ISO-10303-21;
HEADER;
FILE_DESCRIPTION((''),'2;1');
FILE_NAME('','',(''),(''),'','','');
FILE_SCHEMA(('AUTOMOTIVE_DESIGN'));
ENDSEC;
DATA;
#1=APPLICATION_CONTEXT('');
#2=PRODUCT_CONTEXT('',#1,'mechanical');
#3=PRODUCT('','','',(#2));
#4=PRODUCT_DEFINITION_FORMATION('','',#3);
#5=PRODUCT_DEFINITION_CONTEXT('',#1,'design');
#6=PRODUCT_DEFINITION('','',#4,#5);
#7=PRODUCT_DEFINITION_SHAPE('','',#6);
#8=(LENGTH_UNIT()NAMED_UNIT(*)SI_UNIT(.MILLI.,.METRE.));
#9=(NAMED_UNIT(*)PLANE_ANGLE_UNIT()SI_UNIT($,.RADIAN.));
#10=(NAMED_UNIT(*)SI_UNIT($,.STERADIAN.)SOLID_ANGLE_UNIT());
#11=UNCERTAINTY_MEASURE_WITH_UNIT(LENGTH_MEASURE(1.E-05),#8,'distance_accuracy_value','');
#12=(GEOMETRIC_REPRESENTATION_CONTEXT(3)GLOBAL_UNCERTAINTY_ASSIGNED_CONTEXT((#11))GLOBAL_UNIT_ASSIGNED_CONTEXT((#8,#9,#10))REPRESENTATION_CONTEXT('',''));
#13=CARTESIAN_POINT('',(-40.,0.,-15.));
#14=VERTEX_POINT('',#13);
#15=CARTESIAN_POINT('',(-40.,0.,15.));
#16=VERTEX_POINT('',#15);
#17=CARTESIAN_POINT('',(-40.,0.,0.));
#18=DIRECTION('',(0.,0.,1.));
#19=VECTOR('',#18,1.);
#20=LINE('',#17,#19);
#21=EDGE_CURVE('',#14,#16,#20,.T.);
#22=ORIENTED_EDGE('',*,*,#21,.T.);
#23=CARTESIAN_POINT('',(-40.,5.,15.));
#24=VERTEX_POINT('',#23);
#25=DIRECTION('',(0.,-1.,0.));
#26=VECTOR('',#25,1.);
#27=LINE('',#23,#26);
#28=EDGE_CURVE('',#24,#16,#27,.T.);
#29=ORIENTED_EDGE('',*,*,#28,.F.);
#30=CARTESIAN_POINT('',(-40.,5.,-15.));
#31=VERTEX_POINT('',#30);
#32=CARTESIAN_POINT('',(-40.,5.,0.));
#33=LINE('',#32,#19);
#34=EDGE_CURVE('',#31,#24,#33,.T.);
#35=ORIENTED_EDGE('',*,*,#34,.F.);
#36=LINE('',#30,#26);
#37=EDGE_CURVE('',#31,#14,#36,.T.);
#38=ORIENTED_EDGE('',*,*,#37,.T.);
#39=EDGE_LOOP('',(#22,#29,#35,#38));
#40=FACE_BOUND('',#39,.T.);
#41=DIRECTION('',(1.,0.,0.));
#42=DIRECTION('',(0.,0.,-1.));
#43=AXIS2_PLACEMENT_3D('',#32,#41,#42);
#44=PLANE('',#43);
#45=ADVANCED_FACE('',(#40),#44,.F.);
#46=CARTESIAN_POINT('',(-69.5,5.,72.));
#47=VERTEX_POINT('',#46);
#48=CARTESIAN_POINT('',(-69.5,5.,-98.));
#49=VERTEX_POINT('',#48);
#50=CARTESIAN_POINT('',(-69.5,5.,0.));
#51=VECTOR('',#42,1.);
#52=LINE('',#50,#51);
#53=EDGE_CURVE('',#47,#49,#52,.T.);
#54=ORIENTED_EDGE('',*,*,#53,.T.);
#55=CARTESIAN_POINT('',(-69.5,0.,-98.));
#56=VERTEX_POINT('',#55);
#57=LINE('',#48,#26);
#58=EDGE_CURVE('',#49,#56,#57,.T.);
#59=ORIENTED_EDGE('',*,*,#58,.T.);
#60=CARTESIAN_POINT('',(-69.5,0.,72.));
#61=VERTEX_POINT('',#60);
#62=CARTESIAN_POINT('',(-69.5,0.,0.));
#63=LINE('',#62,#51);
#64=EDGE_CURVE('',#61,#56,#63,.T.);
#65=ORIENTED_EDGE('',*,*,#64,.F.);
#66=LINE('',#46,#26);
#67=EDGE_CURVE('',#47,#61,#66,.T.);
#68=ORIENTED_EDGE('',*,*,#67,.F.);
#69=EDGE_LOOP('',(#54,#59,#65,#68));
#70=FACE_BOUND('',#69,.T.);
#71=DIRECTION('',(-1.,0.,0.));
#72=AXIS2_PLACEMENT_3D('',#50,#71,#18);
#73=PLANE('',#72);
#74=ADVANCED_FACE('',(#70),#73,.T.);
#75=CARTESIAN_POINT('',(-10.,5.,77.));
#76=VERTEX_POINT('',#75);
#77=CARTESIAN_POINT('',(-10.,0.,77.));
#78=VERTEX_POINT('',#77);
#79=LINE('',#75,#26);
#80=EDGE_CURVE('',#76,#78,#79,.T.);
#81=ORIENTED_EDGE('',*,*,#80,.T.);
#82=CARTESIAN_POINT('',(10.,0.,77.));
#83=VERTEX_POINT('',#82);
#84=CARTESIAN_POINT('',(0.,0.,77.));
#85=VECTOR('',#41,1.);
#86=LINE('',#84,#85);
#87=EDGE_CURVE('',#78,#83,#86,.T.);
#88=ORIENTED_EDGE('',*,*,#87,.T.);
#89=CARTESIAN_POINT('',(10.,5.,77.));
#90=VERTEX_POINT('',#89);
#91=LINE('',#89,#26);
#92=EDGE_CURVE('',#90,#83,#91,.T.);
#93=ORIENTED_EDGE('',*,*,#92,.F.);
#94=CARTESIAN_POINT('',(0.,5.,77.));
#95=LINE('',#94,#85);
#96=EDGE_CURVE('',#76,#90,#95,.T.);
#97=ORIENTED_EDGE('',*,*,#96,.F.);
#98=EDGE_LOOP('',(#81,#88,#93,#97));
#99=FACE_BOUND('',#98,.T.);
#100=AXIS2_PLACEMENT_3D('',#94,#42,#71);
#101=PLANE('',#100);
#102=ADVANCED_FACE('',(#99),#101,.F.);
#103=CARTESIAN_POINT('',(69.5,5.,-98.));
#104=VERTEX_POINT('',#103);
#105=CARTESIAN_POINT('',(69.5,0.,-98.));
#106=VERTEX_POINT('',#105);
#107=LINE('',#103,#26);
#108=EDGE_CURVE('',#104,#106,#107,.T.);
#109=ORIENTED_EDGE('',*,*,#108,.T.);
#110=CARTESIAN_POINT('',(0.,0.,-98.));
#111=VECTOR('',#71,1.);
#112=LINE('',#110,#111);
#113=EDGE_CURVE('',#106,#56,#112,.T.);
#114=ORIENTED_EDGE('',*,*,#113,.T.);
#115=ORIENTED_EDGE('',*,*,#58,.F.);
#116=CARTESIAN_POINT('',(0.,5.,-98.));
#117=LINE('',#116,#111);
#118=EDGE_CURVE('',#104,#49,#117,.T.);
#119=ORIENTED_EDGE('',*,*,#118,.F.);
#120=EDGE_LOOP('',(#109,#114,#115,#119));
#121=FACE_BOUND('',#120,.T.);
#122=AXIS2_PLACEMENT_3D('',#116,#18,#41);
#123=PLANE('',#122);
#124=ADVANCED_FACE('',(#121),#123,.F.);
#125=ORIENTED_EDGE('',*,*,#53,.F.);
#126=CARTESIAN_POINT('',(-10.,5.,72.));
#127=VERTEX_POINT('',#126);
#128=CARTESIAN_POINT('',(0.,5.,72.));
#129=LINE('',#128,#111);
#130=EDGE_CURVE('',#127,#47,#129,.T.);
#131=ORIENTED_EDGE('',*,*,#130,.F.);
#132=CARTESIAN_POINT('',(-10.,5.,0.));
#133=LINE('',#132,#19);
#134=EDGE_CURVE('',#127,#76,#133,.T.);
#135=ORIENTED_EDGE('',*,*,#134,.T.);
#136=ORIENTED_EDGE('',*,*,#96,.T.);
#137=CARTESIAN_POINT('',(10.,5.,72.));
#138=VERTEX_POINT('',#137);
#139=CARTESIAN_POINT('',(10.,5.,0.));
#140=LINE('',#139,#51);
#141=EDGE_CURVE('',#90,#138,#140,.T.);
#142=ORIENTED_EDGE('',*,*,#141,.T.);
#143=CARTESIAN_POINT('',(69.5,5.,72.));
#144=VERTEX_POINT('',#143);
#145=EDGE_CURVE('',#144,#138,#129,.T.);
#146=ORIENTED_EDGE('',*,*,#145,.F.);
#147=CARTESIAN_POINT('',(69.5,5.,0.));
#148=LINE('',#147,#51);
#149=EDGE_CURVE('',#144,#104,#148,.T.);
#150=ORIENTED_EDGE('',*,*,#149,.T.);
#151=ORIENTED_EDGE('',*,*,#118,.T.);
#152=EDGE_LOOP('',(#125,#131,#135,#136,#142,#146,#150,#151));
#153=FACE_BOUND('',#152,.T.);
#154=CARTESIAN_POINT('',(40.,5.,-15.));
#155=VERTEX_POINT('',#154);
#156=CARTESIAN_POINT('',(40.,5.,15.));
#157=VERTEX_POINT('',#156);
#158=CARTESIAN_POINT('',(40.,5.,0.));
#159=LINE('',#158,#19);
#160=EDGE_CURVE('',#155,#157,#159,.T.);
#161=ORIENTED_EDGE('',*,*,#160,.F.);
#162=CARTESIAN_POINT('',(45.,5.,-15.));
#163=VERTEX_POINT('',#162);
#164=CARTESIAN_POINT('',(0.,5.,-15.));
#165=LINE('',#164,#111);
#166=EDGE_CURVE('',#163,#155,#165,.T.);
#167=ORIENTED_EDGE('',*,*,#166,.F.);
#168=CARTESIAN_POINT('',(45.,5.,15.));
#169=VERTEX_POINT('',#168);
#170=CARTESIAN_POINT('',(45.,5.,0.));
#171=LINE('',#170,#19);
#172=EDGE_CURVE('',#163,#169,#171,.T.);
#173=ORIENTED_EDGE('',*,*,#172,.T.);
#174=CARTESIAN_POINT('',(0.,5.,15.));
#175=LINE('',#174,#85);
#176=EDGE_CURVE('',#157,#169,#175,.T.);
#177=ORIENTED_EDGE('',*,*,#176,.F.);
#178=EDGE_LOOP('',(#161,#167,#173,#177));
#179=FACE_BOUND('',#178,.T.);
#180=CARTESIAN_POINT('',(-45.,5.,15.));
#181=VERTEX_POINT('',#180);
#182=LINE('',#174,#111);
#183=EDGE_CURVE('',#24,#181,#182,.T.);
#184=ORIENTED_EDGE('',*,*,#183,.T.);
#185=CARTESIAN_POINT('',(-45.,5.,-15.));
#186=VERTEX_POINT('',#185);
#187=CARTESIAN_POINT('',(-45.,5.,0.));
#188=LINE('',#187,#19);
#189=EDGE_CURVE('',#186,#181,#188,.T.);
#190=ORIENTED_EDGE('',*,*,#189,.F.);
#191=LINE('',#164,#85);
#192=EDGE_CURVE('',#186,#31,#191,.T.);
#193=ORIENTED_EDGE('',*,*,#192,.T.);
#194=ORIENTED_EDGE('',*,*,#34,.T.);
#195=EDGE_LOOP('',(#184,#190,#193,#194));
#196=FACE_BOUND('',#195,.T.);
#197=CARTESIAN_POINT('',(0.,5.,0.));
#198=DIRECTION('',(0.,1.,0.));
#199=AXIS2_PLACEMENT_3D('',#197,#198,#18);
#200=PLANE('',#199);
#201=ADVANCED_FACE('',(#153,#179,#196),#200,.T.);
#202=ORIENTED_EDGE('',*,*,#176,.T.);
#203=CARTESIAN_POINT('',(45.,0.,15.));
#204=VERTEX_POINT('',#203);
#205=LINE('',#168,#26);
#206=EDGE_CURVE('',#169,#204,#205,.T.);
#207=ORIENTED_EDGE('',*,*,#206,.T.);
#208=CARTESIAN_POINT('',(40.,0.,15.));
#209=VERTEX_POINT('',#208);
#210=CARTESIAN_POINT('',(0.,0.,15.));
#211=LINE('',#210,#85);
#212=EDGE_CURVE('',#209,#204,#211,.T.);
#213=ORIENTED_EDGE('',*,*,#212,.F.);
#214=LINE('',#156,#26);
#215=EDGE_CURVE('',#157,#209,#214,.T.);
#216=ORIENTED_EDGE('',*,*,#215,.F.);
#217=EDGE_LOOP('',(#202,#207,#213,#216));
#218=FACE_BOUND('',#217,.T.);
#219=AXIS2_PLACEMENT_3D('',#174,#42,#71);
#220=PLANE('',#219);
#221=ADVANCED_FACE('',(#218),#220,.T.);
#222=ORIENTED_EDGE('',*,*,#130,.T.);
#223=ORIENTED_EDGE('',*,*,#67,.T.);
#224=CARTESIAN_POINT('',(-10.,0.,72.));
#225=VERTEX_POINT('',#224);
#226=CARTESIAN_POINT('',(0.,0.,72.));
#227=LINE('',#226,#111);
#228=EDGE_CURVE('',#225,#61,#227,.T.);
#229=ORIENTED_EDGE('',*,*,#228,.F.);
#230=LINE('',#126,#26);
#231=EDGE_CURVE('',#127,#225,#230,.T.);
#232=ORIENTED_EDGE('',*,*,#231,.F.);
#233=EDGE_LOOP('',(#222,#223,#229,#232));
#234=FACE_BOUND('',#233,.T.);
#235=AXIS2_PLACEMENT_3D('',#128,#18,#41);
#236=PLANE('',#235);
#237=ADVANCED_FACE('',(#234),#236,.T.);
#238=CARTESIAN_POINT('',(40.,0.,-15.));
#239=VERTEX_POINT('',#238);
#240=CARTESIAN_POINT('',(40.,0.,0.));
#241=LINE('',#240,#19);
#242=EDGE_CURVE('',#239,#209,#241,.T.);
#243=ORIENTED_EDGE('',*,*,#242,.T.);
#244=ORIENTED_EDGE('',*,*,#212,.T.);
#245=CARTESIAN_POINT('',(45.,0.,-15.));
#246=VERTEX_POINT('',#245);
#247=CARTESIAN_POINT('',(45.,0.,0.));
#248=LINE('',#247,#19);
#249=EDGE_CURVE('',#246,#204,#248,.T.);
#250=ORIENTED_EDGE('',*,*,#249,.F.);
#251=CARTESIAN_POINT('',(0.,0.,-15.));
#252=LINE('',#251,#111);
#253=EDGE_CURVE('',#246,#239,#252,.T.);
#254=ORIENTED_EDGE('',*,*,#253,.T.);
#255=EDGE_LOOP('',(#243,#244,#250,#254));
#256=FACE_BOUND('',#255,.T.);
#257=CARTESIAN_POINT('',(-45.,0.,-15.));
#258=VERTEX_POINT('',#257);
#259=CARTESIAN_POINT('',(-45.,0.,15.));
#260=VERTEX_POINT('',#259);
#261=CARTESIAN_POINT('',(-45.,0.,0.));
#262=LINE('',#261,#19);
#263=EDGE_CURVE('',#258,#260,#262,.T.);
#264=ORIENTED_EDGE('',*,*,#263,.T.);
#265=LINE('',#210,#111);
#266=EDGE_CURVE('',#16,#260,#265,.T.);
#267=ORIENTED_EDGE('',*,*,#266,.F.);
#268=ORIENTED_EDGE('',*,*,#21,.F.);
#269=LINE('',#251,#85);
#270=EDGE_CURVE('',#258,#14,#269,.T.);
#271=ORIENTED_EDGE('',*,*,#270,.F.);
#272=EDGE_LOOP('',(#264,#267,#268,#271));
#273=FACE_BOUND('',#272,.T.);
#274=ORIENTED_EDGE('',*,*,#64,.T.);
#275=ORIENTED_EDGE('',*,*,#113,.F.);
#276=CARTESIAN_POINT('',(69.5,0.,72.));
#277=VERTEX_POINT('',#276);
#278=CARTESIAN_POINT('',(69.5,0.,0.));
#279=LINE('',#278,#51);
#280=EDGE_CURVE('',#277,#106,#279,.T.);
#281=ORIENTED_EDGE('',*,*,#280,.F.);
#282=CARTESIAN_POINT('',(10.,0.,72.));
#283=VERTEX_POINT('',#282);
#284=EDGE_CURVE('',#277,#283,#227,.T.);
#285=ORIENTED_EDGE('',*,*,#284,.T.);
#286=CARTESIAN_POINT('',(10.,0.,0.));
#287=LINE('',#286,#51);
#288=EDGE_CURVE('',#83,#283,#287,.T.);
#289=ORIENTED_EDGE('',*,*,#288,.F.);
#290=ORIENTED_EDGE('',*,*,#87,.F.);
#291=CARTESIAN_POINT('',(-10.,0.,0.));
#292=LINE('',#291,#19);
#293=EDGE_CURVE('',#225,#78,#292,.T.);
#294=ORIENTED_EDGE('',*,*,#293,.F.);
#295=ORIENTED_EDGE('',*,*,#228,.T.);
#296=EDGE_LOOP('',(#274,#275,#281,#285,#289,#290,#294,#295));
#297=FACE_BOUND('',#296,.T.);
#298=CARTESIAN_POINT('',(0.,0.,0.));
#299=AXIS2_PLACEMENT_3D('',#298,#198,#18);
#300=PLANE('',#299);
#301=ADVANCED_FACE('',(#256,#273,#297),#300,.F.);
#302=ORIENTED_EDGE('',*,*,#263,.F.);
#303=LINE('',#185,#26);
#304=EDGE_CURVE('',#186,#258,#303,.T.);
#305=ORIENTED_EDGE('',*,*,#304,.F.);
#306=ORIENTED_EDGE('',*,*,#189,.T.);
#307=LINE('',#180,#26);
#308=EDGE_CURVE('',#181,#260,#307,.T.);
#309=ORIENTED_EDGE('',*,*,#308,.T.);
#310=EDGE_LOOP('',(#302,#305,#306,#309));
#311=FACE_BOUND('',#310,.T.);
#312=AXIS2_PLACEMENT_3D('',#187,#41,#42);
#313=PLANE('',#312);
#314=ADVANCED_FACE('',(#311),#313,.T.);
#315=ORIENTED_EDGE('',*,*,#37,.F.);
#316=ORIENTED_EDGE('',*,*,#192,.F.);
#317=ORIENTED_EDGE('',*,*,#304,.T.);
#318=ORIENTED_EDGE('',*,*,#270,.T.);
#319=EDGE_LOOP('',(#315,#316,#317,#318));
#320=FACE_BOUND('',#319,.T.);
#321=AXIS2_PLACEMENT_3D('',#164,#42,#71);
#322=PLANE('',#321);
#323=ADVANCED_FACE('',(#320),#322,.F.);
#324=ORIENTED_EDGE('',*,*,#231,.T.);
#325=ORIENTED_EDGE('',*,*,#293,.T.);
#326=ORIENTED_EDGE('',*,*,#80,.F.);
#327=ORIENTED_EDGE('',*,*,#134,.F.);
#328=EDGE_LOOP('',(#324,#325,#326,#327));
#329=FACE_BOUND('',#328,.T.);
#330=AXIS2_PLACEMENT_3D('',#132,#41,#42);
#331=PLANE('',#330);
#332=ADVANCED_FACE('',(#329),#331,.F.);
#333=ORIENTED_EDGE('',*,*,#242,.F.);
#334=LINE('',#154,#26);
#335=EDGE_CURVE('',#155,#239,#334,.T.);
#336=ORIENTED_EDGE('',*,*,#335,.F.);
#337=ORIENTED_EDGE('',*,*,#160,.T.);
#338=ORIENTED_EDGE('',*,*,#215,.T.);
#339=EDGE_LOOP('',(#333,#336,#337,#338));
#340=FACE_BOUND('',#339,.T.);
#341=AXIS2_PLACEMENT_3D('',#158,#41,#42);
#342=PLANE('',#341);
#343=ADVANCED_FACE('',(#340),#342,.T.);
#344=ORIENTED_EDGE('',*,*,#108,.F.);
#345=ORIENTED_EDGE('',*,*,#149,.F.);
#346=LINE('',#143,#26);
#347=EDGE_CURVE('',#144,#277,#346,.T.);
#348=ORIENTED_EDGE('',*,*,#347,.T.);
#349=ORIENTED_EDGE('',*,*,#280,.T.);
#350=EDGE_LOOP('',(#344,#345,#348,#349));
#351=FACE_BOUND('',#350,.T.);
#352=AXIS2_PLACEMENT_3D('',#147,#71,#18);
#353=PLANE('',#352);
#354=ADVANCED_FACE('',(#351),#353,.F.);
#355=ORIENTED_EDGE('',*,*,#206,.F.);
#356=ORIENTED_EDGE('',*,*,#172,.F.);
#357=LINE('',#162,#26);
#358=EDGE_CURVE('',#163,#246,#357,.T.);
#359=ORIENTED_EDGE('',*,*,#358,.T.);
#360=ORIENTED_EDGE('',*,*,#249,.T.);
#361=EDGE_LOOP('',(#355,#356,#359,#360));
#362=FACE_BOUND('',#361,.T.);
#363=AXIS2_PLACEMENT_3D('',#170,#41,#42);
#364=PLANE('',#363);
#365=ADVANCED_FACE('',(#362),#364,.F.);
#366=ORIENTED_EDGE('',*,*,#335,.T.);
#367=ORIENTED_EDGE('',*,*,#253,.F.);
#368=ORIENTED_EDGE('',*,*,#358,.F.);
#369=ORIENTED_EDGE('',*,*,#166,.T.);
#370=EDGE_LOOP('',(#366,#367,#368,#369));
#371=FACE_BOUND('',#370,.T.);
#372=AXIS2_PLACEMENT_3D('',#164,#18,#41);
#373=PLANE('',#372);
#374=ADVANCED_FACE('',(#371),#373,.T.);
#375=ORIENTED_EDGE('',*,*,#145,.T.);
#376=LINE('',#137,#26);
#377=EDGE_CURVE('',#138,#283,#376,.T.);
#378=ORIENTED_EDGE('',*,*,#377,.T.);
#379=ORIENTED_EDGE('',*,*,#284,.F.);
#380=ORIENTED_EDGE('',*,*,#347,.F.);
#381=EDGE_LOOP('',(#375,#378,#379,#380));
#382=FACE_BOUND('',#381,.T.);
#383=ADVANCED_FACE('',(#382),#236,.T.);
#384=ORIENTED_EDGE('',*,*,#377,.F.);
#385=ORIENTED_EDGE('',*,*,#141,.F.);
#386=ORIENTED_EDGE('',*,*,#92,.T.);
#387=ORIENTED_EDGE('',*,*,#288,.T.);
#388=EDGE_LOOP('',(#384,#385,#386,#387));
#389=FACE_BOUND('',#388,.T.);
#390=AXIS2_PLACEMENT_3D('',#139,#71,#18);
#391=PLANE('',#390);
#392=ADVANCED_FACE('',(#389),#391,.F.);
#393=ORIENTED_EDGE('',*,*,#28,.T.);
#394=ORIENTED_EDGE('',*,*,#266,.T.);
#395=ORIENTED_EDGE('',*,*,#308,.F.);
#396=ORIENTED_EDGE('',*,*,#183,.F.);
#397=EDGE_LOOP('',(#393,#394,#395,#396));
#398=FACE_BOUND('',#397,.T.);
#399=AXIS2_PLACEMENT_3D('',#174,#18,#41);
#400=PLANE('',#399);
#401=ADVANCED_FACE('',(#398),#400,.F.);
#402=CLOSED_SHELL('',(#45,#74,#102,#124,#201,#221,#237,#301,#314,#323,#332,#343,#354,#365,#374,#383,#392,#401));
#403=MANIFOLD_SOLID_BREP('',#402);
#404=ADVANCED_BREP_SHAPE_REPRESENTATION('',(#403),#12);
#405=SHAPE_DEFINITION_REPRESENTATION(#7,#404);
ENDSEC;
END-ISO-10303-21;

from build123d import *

# Parameters (mm, degrees)
SKETCH1_W           = 5
SKETCH1_H           = 30
SKETCH1_W_2         = 20
SKETCH1_H_2         = 5
BOSS_EXTRUDE1_DEPTH = 5


with BuildPart() as part:
    # Sketch1 → Boss-Extrude1 (new body)
    # profile 1 of 2: a face of its own
    with BuildSketch(Plane(origin=(0, 0, 0), x_dir=(1, 0, 0), z_dir=(0, 1, 0))):
        Polygon((69.5, -72), (69.5, 98), (61.25, 98), (-61.25, 98), (-69.5, 98), (-69.5, -72), (-45, -72), (-10, -72), (10, -72), (45, -72), align=None)
        with Locations((42.5, 0)):
            Rectangle(SKETCH1_W, SKETCH1_H, mode=Mode.SUBTRACT)
        with Locations((-42.5, 0)):
            Rectangle(SKETCH1_W, SKETCH1_H, mode=Mode.SUBTRACT)
    # profile 2 of 2: a face of its own
    with BuildSketch(Plane(origin=(0, 0, 0), x_dir=(1, 0, 0), z_dir=(0, 1, 0))):
        with Locations((0, -74.5)):
            Rectangle(SKETCH1_W_2, SKETCH1_H_2)
    extrude(amount=BOSS_EXTRUDE1_DEPTH)


solid = part.part
